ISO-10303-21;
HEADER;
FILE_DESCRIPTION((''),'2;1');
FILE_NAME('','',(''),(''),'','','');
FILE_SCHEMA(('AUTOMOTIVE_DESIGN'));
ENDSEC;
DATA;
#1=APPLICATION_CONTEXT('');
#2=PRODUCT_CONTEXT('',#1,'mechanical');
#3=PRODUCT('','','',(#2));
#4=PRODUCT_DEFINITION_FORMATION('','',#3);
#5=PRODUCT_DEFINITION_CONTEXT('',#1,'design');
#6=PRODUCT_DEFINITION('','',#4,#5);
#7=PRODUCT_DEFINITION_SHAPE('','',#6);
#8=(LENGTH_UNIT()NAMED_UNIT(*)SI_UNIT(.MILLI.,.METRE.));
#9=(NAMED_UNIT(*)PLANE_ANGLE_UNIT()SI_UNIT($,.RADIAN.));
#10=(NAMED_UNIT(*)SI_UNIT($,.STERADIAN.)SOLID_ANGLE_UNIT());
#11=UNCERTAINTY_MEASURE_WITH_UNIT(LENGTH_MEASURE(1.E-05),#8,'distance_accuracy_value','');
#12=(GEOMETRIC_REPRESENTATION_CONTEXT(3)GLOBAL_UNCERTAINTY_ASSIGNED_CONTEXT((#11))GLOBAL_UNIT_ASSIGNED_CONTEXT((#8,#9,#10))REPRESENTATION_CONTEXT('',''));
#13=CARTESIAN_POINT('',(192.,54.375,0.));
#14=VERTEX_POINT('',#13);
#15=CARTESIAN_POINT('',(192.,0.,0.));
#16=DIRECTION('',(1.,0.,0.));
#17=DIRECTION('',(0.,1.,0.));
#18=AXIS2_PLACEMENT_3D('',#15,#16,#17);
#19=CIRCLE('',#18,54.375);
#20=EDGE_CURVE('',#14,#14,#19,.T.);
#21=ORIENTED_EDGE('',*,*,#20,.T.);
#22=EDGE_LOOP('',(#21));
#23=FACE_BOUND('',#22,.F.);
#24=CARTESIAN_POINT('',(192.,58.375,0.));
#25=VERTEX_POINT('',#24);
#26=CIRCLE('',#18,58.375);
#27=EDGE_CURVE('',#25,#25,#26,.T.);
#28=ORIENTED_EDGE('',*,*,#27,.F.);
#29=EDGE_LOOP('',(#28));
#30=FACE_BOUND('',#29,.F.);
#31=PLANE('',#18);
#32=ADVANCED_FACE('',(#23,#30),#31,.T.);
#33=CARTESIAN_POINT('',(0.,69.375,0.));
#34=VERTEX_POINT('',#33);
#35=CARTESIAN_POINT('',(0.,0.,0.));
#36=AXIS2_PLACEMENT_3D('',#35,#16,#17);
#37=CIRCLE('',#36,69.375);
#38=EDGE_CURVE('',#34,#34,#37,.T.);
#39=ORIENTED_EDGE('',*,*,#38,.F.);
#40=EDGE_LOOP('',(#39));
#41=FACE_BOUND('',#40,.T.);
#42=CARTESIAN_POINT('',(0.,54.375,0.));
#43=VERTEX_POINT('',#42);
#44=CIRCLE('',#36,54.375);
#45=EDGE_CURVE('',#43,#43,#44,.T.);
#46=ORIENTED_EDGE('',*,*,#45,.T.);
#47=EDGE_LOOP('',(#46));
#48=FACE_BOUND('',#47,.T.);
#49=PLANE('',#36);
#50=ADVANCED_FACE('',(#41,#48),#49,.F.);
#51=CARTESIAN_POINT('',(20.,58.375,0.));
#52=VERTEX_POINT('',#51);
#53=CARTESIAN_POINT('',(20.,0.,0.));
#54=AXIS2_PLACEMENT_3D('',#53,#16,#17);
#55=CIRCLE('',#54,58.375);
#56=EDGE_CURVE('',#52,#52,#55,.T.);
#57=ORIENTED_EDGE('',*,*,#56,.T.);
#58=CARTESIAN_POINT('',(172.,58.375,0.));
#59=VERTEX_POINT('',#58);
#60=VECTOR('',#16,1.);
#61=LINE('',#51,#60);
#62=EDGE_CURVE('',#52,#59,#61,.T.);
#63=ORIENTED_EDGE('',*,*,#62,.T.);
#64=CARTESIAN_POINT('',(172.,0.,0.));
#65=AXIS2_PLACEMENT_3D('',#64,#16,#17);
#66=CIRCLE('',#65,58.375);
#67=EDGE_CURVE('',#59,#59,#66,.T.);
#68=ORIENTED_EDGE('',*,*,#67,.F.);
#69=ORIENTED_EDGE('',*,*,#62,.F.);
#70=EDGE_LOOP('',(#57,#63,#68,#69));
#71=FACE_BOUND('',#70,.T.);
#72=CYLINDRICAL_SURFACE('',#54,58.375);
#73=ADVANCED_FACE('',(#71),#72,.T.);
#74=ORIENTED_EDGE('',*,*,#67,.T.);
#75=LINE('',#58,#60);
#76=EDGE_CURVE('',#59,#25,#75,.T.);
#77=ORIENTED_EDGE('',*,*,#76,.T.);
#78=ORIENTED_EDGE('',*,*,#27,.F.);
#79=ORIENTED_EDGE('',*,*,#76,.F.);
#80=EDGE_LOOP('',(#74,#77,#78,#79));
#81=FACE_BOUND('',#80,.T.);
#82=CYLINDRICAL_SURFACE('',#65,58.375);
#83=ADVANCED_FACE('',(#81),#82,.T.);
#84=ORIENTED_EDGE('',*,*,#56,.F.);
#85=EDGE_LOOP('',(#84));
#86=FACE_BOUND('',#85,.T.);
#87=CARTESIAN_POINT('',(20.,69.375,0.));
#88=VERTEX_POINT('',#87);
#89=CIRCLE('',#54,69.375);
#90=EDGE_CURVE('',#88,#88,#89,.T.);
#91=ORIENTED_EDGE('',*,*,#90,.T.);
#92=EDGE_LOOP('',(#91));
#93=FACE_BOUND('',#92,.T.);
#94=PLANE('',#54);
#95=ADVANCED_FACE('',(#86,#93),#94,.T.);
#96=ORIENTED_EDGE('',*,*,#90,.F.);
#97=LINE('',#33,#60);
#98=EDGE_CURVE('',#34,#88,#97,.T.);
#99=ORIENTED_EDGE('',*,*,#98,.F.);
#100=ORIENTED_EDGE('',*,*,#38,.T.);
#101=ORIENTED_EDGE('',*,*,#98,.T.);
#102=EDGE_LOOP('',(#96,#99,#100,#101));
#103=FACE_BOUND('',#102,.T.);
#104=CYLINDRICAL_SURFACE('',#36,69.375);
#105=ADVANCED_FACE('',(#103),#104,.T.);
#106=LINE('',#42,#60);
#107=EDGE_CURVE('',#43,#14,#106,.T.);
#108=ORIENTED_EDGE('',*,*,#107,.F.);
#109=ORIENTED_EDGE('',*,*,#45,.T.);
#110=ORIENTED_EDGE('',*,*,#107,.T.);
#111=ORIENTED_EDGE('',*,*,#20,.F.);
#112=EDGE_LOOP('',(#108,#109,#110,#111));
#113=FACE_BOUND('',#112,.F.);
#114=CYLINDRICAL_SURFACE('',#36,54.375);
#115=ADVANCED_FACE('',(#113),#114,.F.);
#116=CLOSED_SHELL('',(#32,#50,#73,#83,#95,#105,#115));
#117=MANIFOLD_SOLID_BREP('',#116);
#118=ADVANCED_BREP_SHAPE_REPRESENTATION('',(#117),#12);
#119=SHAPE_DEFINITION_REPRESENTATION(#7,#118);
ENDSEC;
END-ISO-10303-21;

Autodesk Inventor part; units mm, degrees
ref_plane "YZ Plane" through (0, 0, 0) normal (1, 0, 0) x (0, 1, 0)
ref_plane "XZ Plane" through (0, 0, 0) normal (0, 1, 0) x (-1, 0, 0)
ref_plane "XY Plane" through (0, 0, 0) normal (0, 0, 1) x (1, 0, 0)
sketch "Sketch1" plane through (0, 0, 0) normal (0, 0, 1) x (1, 0, 0)
  line L0 (0, 0) -> (0, 54.375)
  line L1 (0, 54.375) -> (192, 54.375)
  line L2 (0, 0) -> (772.3927, 0)
  line L3 (253.9225, 18.624) -> (253.9225, 0) construction
  line L4 (192, 54.375) -> (253.9225, 18.624)
  line L5 (253.9225, 18.624) -> (256.9225, 18.624)
  line L6 (256.9225, 18.624) -> (325.3908, 36.97)
  line L7 (325.3908, 36.97) -> (325.3908, 0)
  line L8 (192, 54.375) -> (192, 0)
  line L9 (0, 54.375) -> (0, 69.375)
  line L10 (0, 69.375) -> (20, 69.375)
  line L11 (20, 69.375) -> (20, 58.375)
  line L12 (192, 54.375) -> (192, 74.375)
  line L13 (20, 58.375) -> (172, 58.375)
  line L14 (172, 58.375) -> (192, 58.375)
  dimension "d9" = 54.375
  dimension "d10" = 192
  dimension "d12" = 18.624
  dimension "d13" = 150
  dimension "d15" = 3
  dimension "d16" = 15
  dimension "d17" = 36.97
  dimension "d18" = 518.4701
  dimension "d19" = 15
  dimension "d20" = 20
  dimension "d21" = 11
revolve "Revolution2" add sketch "Sketch1" angle 360 about axis through (0, 0, 0) along (1, 0, 0) contours L9 L10 L11 L13 L14 L12 L1
properties part number "combustion chamber" material "Stainless Steel, Austenitic"
